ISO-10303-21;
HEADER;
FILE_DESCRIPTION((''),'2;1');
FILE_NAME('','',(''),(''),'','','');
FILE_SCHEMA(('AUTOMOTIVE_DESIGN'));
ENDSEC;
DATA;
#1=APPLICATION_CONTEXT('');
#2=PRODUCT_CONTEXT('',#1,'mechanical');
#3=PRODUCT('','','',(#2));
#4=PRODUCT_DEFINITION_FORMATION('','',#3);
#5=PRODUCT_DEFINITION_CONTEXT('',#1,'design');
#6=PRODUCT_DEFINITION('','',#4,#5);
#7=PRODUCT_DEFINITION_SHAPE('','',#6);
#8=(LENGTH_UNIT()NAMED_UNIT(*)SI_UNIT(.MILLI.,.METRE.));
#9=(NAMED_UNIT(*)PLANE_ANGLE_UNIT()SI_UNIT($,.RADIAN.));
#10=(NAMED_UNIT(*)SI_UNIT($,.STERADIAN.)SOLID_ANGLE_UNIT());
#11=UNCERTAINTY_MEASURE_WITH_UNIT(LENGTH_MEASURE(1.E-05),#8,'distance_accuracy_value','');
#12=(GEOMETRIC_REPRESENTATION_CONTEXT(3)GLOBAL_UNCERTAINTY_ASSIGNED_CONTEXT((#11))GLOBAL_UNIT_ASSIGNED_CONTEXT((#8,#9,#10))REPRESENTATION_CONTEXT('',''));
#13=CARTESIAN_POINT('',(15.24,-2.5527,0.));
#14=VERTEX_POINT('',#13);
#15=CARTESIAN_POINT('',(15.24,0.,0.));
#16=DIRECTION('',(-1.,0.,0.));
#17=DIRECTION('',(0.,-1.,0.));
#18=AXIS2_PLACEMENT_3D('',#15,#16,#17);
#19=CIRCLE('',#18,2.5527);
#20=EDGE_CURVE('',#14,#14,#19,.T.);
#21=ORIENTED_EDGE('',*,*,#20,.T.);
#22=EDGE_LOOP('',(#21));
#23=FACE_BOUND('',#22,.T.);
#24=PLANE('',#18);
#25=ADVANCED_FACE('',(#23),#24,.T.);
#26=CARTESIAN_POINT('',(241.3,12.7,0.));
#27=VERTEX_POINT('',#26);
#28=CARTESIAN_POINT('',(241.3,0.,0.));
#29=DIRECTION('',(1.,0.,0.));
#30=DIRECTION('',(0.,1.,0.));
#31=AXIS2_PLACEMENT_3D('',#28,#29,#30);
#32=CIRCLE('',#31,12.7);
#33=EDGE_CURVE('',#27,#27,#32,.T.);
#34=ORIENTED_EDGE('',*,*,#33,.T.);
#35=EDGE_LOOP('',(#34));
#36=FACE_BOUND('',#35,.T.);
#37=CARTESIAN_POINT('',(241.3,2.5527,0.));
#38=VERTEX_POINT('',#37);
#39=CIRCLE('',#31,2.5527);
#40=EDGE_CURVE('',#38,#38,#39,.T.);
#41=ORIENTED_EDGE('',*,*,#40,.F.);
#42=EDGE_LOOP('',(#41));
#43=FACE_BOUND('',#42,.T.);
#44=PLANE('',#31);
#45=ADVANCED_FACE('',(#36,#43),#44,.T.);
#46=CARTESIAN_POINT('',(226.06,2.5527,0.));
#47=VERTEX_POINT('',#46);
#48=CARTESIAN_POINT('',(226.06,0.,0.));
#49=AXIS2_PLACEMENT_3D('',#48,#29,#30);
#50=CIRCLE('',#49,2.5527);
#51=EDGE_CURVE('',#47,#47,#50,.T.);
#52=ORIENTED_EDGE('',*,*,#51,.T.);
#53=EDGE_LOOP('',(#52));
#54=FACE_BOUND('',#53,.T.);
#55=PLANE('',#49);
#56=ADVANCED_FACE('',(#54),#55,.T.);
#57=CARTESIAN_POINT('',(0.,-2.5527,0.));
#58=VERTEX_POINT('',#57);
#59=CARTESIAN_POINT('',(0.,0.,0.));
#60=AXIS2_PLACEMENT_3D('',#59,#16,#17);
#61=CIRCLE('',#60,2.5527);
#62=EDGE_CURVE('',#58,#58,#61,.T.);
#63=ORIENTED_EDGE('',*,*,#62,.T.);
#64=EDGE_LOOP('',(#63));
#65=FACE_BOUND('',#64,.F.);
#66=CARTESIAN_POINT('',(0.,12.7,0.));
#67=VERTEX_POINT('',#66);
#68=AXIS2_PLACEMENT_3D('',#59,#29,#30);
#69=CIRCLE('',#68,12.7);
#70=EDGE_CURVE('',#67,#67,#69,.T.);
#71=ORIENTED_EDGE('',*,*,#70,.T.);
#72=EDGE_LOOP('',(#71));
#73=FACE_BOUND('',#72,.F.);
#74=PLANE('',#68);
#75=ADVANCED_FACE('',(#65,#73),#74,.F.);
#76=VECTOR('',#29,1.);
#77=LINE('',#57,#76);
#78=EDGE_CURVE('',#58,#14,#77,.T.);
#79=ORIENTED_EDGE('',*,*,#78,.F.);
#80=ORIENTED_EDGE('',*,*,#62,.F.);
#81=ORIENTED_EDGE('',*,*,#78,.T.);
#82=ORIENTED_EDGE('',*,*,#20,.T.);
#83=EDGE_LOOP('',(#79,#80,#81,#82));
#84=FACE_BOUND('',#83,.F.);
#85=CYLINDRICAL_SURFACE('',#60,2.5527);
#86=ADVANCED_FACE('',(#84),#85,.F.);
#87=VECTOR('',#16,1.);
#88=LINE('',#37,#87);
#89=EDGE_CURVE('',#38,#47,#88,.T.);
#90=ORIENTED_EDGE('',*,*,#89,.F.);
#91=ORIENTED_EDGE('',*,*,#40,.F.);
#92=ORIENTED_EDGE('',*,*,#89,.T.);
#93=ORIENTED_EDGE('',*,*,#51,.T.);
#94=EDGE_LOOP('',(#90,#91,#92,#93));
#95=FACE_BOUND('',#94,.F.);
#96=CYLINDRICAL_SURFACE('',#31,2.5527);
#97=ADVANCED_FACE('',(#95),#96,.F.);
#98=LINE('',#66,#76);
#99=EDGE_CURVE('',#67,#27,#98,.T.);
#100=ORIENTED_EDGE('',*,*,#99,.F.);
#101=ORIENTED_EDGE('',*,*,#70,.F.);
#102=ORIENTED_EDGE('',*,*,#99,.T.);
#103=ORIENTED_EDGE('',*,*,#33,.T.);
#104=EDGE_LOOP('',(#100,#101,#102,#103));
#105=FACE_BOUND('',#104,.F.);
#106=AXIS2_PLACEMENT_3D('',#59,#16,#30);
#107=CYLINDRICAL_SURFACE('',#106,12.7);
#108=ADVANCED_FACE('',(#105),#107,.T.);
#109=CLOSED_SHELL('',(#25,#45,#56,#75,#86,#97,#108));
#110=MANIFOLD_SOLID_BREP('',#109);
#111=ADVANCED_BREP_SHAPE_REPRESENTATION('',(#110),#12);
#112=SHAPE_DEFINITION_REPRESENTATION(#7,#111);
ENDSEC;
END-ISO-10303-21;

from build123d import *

# Parameters (mm, degrees)
F0_R     = 12.7
F1_DEPTH = 241.3
F2_R     = 2.5527
F3_DEPTH = 15.24
F4_R     = 2.5527
F5_DEPTH = 15.24


with BuildPart() as f1:
    # F0 (on Right) → F1 (new body)
    with BuildSketch(Plane.YZ):
        Circle(F0_R)
    extrude(amount=F1_DEPTH)

    # F2 (on face) + F0 (on Right) → F3 (cut)
    with BuildSketch(Plane(origin=(0, 0, 0), x_dir=(0, -1, 0), z_dir=(-1, 0, 0))):
        Circle(F2_R)
    with BuildSketch(Plane.YZ):
        Circle(F0_R)
    extrude(amount=-F3_DEPTH, mode=Mode.SUBTRACT)

    # F4 (on face) → F5 (cut)
    with BuildSketch(Plane.YZ.offset(241.3)):
        Circle(F4_R)
    extrude(amount=-F5_DEPTH, mode=Mode.SUBTRACT)


solid = f1.part
